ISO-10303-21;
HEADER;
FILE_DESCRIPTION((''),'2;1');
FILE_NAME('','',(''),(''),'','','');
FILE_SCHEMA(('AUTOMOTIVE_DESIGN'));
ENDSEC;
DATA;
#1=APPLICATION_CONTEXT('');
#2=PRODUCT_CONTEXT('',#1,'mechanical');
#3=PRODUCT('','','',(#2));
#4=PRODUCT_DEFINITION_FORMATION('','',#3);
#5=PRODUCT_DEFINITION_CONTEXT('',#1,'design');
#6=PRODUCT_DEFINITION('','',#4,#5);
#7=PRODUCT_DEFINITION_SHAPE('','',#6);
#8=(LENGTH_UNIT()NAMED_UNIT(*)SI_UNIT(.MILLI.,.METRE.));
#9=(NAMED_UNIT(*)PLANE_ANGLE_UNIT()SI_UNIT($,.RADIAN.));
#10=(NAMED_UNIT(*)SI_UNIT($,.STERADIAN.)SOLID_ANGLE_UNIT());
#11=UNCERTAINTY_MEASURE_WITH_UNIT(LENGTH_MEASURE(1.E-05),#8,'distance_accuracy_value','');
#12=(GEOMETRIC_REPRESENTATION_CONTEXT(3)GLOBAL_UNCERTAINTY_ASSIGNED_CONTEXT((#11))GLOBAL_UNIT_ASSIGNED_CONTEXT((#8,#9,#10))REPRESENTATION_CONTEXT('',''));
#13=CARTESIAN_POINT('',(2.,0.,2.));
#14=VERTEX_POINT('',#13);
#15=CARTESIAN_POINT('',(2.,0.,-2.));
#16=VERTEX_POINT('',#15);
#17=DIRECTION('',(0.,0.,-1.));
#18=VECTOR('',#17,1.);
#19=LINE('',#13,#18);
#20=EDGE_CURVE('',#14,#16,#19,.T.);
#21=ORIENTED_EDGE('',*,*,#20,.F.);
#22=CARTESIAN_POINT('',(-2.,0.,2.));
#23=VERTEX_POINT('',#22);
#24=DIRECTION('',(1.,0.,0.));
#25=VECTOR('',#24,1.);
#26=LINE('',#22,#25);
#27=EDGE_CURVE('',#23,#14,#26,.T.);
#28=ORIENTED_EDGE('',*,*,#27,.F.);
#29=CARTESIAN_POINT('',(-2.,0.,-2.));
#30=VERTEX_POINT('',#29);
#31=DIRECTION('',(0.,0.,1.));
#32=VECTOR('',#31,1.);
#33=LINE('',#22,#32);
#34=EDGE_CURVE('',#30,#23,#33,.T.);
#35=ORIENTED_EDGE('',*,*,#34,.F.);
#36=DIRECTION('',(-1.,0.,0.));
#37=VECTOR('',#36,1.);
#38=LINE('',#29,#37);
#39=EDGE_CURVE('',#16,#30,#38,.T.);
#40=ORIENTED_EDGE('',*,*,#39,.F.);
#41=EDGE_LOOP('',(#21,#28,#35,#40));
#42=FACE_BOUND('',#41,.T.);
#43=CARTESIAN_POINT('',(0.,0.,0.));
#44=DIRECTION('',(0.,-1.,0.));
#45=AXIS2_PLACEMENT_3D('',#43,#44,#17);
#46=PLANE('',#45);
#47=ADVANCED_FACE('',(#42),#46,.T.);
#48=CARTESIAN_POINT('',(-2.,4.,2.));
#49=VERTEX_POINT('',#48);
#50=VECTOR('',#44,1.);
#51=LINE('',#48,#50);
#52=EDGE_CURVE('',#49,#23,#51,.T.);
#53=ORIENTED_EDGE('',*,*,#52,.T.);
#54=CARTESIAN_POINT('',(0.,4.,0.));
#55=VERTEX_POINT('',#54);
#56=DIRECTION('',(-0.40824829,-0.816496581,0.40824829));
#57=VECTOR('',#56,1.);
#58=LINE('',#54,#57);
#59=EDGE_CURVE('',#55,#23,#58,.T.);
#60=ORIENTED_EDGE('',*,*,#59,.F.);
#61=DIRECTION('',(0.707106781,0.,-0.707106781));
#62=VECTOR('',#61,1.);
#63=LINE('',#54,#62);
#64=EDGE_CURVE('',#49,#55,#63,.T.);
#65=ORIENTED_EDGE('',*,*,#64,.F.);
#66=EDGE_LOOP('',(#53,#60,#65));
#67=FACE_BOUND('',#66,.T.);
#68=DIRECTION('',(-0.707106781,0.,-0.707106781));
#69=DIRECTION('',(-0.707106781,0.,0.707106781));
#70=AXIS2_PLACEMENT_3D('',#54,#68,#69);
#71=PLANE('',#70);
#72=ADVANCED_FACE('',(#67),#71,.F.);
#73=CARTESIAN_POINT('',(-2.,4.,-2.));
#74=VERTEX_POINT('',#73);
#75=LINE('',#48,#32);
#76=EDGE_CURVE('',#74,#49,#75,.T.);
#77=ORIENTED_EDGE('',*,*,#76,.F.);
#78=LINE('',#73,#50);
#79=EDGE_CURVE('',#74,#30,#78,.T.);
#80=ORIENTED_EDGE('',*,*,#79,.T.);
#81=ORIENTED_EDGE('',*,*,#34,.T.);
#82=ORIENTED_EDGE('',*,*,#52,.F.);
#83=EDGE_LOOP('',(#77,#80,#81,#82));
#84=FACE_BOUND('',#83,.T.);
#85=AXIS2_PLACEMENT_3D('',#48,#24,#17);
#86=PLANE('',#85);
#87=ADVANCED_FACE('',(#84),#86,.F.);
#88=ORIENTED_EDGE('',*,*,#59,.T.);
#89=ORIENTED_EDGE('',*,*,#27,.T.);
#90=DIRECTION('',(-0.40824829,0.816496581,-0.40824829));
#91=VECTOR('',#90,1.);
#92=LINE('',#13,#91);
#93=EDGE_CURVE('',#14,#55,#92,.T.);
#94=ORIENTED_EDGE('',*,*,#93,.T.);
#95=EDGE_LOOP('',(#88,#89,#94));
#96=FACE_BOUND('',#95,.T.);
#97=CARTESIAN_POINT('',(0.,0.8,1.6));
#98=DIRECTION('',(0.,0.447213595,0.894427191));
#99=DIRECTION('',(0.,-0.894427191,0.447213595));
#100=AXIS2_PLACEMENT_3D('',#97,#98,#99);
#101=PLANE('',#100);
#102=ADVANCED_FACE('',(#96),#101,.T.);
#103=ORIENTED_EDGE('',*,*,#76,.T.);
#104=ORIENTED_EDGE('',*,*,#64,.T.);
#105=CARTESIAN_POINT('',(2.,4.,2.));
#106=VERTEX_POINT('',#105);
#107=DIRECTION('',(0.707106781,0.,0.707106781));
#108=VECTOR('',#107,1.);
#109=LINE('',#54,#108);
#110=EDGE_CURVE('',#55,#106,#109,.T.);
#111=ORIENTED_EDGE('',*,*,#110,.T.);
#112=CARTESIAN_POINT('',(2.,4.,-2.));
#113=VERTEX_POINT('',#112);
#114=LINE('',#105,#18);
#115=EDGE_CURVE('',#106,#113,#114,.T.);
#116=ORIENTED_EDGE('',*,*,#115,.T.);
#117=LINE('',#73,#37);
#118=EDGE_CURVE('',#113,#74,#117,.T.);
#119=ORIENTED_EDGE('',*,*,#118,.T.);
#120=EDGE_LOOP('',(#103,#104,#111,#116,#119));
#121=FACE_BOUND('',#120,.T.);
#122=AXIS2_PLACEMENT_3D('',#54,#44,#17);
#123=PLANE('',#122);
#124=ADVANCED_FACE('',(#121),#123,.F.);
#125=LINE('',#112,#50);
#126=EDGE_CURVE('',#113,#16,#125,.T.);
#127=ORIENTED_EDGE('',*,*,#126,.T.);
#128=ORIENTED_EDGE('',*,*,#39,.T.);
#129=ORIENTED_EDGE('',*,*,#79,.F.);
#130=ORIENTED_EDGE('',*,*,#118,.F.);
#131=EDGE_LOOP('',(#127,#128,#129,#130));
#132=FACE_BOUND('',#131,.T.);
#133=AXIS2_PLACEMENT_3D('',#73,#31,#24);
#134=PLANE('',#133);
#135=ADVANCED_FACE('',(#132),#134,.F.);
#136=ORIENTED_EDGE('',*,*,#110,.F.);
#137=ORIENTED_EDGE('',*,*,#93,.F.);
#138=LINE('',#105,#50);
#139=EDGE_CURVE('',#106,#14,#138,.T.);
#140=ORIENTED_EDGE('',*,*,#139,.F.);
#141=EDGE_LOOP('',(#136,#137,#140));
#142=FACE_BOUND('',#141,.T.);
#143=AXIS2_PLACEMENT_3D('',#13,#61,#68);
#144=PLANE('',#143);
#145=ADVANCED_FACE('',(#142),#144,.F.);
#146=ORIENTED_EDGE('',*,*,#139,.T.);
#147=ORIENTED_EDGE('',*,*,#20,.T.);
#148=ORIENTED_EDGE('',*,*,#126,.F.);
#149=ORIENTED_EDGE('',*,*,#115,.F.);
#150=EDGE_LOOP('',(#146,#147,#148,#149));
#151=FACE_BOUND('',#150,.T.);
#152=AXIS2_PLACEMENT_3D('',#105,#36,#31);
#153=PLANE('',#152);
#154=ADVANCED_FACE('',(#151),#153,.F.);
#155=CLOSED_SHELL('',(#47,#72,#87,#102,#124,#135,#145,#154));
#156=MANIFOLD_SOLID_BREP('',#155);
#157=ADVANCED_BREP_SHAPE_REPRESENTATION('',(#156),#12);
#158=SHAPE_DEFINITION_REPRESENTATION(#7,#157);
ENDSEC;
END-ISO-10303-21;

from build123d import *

# Parameters (mm, degrees)
SKETCH2_W           = 4
SKETCH2_H           = 4
BOSS_EXTRUDE1_DEPTH = 4
CUT_EXTRUDE1_DEPTH  = 4


with BuildPart() as part:
    # Sketch2 → Boss-Extrude1 (new body)
    with BuildSketch(Plane(origin=(0, 0, 0), x_dir=(1, 0, 0), z_dir=(0, 1, 0))):
        Rectangle(SKETCH2_W, SKETCH2_H)
    extrude(amount=BOSS_EXTRUDE1_DEPTH)

    # 3DSketch1 → Cut-Extrude1 (cut, along a direction that is not the sketch's normal)
    with BuildSketch(Plane(origin=(2, 0, 2), x_dir=(-0.4082482904638631, 0.8164965809277261, -0.4082482904638631), z_dir=(0, 0.447213595499958, 0.894427190999916))):
        Polygon((0, 0), (4.898979486, 0), (1.632993162, 3.651483717), align=None)
    extrude(amount=CUT_EXTRUDE1_DEPTH, dir=(0, 1, 0), mode=Mode.SUBTRACT)


solid = part.part
